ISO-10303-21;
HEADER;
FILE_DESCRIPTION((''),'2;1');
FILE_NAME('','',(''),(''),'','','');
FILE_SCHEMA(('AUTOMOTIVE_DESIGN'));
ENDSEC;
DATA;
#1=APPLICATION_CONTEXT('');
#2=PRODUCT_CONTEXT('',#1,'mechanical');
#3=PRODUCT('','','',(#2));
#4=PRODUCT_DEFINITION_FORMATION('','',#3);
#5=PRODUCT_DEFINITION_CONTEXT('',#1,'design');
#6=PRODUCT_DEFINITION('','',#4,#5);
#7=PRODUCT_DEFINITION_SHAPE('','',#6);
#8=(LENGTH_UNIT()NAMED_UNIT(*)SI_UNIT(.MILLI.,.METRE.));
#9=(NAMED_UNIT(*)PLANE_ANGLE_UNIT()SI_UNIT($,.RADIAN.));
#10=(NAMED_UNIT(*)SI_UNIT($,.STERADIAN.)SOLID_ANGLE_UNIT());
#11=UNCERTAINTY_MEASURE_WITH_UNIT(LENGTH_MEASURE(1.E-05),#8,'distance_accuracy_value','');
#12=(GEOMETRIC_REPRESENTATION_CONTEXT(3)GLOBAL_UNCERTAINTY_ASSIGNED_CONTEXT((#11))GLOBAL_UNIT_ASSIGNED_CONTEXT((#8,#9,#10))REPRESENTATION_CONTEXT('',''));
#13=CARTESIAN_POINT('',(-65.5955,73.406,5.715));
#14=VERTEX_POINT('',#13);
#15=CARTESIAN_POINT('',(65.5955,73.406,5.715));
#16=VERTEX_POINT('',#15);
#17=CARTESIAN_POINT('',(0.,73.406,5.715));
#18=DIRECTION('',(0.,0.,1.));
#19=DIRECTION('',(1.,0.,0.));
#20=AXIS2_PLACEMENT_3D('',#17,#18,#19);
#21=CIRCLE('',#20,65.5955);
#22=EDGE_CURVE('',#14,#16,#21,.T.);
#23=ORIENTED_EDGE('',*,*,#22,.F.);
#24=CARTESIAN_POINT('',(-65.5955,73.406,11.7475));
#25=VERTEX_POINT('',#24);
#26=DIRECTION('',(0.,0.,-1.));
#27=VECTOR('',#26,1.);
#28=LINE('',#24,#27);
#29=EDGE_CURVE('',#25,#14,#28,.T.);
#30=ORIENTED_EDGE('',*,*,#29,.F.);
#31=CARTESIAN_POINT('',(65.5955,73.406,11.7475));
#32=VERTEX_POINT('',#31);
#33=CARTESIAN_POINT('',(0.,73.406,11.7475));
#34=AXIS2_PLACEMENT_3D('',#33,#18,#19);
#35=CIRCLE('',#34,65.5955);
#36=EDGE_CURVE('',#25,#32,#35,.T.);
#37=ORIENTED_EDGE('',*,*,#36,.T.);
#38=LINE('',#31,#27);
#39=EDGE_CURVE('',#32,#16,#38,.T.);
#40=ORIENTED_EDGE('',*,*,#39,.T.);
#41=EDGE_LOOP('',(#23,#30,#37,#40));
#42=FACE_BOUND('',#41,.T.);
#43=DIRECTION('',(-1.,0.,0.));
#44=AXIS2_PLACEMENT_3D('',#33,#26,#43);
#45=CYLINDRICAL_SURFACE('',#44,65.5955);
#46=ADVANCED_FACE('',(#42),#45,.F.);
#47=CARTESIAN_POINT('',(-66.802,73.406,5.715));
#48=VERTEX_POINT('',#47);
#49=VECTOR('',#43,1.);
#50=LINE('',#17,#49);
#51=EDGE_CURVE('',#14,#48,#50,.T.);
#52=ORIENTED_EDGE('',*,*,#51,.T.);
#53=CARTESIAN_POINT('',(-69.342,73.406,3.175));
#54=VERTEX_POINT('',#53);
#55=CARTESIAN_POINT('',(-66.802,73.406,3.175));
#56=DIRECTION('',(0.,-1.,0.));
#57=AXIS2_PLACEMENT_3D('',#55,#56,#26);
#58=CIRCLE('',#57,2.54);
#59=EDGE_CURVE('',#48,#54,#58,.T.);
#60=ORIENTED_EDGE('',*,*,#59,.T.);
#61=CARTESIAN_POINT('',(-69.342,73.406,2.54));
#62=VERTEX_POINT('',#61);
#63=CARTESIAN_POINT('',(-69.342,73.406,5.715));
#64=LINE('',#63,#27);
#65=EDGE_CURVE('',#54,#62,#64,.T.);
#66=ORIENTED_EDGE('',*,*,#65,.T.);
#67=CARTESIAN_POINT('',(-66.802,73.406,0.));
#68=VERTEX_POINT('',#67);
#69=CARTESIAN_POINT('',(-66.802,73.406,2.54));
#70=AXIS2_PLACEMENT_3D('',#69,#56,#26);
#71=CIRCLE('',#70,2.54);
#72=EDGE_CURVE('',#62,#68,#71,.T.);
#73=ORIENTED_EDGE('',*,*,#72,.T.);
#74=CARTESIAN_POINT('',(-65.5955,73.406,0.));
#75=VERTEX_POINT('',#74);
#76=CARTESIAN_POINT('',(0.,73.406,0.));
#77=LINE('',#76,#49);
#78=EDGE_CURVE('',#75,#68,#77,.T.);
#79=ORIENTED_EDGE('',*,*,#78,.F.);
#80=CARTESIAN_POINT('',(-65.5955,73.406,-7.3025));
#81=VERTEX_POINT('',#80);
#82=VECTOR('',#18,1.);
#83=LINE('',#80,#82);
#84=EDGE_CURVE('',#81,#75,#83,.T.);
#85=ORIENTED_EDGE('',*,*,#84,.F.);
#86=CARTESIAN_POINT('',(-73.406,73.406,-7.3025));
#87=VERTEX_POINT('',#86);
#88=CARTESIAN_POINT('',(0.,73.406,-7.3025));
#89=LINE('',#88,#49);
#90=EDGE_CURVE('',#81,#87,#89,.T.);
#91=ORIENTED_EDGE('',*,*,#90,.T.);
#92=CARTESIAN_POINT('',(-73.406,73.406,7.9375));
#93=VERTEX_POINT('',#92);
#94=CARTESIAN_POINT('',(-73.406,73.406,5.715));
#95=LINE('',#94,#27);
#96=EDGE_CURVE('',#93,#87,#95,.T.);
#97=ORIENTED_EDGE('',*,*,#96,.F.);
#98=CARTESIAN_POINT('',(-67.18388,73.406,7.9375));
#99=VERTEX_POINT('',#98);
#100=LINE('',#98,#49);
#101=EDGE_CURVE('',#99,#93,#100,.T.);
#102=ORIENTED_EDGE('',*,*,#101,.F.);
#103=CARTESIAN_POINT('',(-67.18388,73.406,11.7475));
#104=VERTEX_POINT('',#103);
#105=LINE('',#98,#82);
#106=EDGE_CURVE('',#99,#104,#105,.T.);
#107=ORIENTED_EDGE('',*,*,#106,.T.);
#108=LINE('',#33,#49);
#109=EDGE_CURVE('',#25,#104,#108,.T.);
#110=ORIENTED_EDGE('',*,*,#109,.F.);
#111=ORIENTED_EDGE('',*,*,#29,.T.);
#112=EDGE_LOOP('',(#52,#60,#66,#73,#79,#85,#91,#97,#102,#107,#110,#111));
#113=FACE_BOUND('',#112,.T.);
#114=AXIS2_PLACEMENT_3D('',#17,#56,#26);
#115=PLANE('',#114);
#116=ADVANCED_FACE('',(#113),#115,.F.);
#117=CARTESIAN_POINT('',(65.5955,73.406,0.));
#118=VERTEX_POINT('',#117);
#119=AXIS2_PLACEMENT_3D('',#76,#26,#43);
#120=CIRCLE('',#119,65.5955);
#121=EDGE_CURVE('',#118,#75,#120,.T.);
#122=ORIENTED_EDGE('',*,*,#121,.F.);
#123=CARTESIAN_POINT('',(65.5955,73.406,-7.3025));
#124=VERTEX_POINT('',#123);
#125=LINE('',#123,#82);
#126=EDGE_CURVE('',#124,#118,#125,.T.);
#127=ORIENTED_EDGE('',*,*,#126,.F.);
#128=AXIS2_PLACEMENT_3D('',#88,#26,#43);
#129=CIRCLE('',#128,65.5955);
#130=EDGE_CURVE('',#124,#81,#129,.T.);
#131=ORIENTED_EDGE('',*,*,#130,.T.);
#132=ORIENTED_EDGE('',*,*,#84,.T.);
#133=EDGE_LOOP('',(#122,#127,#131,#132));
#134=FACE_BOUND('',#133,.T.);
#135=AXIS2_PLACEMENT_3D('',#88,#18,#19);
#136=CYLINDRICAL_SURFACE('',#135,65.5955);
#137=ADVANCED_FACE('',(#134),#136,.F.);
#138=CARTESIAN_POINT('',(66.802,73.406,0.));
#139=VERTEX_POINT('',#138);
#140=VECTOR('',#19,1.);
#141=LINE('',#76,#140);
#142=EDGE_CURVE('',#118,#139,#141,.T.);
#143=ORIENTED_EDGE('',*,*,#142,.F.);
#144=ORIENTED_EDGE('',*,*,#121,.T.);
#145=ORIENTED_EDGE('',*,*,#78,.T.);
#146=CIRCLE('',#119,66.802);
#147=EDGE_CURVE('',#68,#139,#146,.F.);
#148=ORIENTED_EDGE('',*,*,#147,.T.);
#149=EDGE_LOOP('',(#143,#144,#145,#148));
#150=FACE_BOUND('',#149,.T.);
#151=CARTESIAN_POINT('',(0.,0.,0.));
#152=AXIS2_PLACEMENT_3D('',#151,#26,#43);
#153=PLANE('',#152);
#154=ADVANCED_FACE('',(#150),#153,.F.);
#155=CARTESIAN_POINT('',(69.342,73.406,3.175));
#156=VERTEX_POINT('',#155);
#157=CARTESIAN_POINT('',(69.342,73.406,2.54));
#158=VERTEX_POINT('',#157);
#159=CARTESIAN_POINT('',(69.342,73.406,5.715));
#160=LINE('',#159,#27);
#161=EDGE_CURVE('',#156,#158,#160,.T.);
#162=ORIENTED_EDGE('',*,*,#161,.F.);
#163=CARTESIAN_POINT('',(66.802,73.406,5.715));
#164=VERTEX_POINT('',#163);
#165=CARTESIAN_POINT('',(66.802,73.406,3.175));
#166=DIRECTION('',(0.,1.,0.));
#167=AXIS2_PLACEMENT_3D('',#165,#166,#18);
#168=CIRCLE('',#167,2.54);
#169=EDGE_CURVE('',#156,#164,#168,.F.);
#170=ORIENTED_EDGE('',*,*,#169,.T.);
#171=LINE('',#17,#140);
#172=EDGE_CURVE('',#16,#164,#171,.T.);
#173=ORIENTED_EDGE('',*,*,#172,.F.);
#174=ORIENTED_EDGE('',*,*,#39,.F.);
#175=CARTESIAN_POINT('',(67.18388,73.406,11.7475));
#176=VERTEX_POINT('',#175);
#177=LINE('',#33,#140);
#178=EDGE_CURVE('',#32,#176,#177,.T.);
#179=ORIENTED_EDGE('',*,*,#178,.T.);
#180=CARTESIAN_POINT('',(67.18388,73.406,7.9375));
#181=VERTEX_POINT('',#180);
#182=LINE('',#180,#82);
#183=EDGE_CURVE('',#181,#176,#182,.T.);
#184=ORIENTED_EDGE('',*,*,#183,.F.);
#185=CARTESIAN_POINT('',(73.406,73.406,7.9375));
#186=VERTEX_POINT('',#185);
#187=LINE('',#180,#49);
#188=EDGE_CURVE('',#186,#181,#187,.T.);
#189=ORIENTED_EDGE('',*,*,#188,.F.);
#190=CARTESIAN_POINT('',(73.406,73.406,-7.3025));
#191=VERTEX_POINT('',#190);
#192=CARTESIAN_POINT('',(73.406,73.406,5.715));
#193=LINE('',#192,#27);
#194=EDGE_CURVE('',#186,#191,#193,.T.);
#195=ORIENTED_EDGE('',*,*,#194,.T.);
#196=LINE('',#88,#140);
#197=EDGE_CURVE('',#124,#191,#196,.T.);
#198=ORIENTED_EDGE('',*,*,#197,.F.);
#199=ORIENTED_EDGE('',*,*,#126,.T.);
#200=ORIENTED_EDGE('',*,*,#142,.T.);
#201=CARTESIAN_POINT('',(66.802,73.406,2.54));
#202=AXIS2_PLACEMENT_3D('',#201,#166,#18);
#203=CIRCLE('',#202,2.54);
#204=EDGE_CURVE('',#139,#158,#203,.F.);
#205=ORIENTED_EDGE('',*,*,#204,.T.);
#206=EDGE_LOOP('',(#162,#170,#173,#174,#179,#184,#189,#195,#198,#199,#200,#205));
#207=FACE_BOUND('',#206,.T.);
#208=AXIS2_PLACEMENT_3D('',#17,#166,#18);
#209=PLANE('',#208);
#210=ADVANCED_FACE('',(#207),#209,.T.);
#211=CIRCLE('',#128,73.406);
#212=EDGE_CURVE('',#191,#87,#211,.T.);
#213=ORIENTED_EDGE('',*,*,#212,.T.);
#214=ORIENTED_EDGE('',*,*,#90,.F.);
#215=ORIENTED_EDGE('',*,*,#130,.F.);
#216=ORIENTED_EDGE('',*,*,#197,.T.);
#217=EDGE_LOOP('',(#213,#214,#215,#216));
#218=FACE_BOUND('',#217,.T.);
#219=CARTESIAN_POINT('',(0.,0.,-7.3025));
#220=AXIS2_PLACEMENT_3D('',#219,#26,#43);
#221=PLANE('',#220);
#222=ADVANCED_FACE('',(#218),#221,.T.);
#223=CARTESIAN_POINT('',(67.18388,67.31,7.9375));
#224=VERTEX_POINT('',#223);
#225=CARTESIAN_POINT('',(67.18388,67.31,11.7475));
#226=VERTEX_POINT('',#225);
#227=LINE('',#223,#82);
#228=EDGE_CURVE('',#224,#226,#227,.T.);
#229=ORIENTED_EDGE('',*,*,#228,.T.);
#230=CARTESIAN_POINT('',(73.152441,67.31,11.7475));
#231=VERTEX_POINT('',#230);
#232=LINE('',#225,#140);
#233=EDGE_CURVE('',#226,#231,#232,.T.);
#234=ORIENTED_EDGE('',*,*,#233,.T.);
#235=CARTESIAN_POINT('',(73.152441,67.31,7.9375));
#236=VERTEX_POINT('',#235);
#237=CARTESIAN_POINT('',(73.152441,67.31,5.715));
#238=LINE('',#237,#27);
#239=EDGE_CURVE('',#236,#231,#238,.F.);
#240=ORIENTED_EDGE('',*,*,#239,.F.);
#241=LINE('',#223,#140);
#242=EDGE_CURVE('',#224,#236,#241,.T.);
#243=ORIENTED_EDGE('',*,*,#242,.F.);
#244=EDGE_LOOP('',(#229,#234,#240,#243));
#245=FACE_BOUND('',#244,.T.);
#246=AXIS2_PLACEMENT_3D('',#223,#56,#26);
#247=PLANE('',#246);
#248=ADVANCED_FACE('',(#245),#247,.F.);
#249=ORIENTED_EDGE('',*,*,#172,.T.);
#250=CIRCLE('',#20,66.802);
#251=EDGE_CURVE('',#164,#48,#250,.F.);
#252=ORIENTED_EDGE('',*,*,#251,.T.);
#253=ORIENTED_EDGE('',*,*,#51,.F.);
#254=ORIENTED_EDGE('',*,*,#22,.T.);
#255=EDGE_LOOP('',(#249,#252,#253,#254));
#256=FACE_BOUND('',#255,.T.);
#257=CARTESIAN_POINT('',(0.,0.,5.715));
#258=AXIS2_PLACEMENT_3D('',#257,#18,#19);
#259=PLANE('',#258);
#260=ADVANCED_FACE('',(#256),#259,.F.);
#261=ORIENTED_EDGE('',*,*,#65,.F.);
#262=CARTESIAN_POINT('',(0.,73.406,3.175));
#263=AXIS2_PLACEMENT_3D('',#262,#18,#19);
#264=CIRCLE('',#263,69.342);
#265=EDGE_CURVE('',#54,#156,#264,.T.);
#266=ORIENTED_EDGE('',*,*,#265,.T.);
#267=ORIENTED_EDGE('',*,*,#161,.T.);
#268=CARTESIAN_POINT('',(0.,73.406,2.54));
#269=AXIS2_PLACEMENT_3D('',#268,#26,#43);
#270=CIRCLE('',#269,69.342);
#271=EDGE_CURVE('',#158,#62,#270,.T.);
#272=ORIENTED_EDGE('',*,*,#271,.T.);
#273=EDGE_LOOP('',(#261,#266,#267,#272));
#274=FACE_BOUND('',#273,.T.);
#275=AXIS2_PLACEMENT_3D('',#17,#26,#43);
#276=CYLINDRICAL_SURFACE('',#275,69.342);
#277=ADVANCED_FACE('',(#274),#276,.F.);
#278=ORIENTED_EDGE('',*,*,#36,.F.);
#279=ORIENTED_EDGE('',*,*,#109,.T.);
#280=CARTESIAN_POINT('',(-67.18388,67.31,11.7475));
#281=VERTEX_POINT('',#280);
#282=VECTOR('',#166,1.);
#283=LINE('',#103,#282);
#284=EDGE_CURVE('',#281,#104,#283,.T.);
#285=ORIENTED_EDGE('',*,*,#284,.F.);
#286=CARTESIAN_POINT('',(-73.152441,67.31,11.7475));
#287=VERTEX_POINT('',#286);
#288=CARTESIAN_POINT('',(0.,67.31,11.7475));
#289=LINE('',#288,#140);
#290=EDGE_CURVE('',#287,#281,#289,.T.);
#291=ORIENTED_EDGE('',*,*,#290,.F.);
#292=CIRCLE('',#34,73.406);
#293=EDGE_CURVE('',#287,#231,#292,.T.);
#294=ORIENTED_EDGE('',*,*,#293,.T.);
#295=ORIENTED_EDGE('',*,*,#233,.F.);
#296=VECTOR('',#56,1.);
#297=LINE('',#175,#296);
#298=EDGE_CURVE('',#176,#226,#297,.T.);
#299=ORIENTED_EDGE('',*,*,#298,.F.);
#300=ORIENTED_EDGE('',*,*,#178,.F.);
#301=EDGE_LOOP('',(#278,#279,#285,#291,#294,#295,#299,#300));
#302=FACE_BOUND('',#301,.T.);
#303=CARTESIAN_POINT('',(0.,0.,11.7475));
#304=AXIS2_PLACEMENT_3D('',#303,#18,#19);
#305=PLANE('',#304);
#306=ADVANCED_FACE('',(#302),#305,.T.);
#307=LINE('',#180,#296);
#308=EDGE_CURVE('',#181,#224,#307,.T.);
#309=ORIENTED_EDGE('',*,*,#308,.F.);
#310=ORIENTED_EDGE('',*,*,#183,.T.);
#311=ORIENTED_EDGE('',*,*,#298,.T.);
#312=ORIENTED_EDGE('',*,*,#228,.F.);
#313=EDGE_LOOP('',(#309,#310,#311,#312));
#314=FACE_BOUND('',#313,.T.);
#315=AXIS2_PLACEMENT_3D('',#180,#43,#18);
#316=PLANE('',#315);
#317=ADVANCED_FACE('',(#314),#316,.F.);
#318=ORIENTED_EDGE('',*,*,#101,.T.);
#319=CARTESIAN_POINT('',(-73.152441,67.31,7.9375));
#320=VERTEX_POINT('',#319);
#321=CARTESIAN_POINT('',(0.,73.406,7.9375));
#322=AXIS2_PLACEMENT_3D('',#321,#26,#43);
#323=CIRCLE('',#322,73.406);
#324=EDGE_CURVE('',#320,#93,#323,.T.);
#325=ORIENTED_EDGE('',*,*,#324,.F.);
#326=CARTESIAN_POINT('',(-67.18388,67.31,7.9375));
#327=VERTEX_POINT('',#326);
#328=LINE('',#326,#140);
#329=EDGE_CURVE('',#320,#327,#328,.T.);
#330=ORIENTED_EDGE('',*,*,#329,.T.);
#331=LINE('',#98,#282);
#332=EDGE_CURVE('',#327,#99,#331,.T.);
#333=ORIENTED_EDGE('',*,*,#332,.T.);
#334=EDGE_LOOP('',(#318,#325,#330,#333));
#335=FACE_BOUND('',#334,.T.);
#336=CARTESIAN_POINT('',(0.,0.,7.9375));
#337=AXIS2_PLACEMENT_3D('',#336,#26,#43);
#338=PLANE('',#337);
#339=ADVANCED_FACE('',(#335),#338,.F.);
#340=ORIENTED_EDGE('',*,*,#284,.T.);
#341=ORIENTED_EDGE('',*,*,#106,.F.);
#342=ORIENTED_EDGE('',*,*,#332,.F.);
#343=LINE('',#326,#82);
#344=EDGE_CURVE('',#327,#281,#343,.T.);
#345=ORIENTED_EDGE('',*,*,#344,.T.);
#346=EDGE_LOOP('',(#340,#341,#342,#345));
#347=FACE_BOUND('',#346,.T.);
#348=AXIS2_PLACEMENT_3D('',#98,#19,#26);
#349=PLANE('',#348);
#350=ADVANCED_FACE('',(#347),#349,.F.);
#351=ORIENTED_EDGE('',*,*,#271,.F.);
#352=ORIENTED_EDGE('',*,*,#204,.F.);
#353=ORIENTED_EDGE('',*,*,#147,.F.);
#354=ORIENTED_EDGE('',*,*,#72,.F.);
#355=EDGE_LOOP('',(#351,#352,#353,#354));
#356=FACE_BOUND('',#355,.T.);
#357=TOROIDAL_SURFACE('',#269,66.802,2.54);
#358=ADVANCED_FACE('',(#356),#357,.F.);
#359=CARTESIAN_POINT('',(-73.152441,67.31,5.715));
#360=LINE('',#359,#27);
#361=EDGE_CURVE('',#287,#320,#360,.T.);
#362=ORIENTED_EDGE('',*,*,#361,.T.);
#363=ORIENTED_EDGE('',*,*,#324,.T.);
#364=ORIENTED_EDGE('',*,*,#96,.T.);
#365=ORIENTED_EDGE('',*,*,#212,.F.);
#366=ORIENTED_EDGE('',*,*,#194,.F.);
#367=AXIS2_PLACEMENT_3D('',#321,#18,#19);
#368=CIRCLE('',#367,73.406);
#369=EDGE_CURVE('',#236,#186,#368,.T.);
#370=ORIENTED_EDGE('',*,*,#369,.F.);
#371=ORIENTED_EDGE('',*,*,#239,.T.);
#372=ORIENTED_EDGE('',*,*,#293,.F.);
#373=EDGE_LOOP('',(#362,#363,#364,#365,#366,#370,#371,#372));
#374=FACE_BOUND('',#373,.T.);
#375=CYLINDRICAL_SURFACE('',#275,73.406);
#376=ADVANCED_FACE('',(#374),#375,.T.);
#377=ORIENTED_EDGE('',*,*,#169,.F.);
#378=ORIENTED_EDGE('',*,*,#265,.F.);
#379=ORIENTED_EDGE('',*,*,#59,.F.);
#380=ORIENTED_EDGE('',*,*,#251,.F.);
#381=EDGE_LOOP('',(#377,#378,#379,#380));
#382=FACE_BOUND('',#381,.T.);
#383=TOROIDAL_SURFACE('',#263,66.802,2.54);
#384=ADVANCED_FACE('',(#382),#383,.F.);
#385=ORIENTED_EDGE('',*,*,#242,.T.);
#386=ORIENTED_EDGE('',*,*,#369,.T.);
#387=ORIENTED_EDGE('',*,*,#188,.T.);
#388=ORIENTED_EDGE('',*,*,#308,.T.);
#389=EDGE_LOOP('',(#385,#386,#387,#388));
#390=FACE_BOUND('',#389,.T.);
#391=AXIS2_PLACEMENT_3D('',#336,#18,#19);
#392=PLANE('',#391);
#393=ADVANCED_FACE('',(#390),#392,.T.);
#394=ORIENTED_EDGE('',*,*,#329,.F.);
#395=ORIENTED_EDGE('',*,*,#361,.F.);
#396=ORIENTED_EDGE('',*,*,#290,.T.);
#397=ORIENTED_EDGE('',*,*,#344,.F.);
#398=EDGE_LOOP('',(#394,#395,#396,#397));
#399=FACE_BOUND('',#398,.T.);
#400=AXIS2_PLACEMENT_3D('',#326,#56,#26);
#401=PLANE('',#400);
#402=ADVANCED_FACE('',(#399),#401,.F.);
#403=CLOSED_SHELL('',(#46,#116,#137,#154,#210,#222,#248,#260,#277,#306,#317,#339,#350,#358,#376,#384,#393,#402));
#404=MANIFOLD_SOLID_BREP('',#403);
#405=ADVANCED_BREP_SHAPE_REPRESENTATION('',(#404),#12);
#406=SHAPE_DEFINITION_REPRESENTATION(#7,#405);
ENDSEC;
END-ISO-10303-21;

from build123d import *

# Parameters (mm, degrees)
BOSS_EXTRUDE1_DEPTH = 5.715
BOSS_EXTRUDE2_DEPTH = 6.0325
BOSS_EXTRUDE3_START = 7.3025
BOSS_EXTRUDE3_DEPTH = 7.3025
FILLET1_R           = 2.54
SKETCH6_W           = 6.645493415
SKETCH6_H           = 6.096
CUT_EXTRUDE5_DEPTH  = 3.81


with BuildPart() as part:
    # Sketch1 → Boss-Extrude1 (new body)
    with BuildSketch(Plane.XY):
        with BuildLine():
            ThreePointArc((69.342, 73.406), (0, 4.064), (-69.342, 73.406))
            Line((-69.342, 73.406), (-73.406, 73.406))
            ThreePointArc((-73.406, 73.406), (0, 0), (73.406, 73.406))
            Line((73.406, 73.406), (69.342, 73.406))
        make_face()
    extrude(amount=BOSS_EXTRUDE1_DEPTH)

    # Sketch3 → Boss-Extrude2 (add)
    with BuildSketch(Plane.XY.offset(5.715)):
        with BuildLine():
            ThreePointArc((65.5955, 73.406), (0, 7.8105), (-65.5955, 73.406))
            Line((-65.5955, 73.406), (-69.342, 73.406))
            ThreePointArc((-69.342, 73.406), (0, 4.064), (69.342, 73.406))
            Line((69.342, 73.406), (65.5955, 73.406))
        make_face()
        with BuildLine():
            Line((73.406, 73.406), (69.342, 73.406))
            ThreePointArc((69.342, 73.406), (0, 4.064), (-69.342, 73.406))
            Line((-69.342, 73.406), (-73.406, 73.406))
            ThreePointArc((-73.406, 73.406), (0, 0), (73.406, 73.406))
        make_face()
    extrude(amount=BOSS_EXTRUDE2_DEPTH)

    # Sketch4 → Boss-Extrude3 (add)
    with BuildSketch(Plane(origin=(0, 0, 0), x_dir=(-1, 0, 0), z_dir=(0, 0, -1)).offset(BOSS_EXTRUDE3_START)):
        with BuildLine():
            ThreePointArc((65.5955, 73.406), (0, 7.8105), (-65.5955, 73.406))
            Line((-65.5955, 73.406), (-69.342, 73.406))
            ThreePointArc((-69.342, 73.406), (0, 4.064), (69.342, 73.406))
            Line((69.342, 73.406), (65.5955, 73.406))
        make_face()
        with BuildLine():
            Line((73.406, 73.406), (69.342, 73.406))
            ThreePointArc((69.342, 73.406), (0, 4.064), (-69.342, 73.406))
            Line((-69.342, 73.406), (-73.406, 73.406))
            ThreePointArc((-73.406, 73.406), (0, 0), (73.406, 73.406))
        make_face()
    extrude(amount=-BOSS_EXTRUDE3_DEPTH)

    # Fillet1
    fillet1_edges = [part.edges().sort_by_distance(p)[0] for p in [
        (0, 4.064, 5.715),
        (0, 4.064, 0),
    ]]
    fillet(fillet1_edges, radius=FILLET1_R)

    # Sketch6 → Cut-Extrude5 (cut)
    with BuildSketch(Plane.XY.offset(11.7475)):
        with Locations((-70.506627119, 70.358)):
            Rectangle(SKETCH6_W, SKETCH6_H)
        with Locations((70.506627119, 70.358)):
            Rectangle(SKETCH6_W, SKETCH6_H)
    extrude(amount=-CUT_EXTRUDE5_DEPTH, mode=Mode.SUBTRACT)


solid = part.part
